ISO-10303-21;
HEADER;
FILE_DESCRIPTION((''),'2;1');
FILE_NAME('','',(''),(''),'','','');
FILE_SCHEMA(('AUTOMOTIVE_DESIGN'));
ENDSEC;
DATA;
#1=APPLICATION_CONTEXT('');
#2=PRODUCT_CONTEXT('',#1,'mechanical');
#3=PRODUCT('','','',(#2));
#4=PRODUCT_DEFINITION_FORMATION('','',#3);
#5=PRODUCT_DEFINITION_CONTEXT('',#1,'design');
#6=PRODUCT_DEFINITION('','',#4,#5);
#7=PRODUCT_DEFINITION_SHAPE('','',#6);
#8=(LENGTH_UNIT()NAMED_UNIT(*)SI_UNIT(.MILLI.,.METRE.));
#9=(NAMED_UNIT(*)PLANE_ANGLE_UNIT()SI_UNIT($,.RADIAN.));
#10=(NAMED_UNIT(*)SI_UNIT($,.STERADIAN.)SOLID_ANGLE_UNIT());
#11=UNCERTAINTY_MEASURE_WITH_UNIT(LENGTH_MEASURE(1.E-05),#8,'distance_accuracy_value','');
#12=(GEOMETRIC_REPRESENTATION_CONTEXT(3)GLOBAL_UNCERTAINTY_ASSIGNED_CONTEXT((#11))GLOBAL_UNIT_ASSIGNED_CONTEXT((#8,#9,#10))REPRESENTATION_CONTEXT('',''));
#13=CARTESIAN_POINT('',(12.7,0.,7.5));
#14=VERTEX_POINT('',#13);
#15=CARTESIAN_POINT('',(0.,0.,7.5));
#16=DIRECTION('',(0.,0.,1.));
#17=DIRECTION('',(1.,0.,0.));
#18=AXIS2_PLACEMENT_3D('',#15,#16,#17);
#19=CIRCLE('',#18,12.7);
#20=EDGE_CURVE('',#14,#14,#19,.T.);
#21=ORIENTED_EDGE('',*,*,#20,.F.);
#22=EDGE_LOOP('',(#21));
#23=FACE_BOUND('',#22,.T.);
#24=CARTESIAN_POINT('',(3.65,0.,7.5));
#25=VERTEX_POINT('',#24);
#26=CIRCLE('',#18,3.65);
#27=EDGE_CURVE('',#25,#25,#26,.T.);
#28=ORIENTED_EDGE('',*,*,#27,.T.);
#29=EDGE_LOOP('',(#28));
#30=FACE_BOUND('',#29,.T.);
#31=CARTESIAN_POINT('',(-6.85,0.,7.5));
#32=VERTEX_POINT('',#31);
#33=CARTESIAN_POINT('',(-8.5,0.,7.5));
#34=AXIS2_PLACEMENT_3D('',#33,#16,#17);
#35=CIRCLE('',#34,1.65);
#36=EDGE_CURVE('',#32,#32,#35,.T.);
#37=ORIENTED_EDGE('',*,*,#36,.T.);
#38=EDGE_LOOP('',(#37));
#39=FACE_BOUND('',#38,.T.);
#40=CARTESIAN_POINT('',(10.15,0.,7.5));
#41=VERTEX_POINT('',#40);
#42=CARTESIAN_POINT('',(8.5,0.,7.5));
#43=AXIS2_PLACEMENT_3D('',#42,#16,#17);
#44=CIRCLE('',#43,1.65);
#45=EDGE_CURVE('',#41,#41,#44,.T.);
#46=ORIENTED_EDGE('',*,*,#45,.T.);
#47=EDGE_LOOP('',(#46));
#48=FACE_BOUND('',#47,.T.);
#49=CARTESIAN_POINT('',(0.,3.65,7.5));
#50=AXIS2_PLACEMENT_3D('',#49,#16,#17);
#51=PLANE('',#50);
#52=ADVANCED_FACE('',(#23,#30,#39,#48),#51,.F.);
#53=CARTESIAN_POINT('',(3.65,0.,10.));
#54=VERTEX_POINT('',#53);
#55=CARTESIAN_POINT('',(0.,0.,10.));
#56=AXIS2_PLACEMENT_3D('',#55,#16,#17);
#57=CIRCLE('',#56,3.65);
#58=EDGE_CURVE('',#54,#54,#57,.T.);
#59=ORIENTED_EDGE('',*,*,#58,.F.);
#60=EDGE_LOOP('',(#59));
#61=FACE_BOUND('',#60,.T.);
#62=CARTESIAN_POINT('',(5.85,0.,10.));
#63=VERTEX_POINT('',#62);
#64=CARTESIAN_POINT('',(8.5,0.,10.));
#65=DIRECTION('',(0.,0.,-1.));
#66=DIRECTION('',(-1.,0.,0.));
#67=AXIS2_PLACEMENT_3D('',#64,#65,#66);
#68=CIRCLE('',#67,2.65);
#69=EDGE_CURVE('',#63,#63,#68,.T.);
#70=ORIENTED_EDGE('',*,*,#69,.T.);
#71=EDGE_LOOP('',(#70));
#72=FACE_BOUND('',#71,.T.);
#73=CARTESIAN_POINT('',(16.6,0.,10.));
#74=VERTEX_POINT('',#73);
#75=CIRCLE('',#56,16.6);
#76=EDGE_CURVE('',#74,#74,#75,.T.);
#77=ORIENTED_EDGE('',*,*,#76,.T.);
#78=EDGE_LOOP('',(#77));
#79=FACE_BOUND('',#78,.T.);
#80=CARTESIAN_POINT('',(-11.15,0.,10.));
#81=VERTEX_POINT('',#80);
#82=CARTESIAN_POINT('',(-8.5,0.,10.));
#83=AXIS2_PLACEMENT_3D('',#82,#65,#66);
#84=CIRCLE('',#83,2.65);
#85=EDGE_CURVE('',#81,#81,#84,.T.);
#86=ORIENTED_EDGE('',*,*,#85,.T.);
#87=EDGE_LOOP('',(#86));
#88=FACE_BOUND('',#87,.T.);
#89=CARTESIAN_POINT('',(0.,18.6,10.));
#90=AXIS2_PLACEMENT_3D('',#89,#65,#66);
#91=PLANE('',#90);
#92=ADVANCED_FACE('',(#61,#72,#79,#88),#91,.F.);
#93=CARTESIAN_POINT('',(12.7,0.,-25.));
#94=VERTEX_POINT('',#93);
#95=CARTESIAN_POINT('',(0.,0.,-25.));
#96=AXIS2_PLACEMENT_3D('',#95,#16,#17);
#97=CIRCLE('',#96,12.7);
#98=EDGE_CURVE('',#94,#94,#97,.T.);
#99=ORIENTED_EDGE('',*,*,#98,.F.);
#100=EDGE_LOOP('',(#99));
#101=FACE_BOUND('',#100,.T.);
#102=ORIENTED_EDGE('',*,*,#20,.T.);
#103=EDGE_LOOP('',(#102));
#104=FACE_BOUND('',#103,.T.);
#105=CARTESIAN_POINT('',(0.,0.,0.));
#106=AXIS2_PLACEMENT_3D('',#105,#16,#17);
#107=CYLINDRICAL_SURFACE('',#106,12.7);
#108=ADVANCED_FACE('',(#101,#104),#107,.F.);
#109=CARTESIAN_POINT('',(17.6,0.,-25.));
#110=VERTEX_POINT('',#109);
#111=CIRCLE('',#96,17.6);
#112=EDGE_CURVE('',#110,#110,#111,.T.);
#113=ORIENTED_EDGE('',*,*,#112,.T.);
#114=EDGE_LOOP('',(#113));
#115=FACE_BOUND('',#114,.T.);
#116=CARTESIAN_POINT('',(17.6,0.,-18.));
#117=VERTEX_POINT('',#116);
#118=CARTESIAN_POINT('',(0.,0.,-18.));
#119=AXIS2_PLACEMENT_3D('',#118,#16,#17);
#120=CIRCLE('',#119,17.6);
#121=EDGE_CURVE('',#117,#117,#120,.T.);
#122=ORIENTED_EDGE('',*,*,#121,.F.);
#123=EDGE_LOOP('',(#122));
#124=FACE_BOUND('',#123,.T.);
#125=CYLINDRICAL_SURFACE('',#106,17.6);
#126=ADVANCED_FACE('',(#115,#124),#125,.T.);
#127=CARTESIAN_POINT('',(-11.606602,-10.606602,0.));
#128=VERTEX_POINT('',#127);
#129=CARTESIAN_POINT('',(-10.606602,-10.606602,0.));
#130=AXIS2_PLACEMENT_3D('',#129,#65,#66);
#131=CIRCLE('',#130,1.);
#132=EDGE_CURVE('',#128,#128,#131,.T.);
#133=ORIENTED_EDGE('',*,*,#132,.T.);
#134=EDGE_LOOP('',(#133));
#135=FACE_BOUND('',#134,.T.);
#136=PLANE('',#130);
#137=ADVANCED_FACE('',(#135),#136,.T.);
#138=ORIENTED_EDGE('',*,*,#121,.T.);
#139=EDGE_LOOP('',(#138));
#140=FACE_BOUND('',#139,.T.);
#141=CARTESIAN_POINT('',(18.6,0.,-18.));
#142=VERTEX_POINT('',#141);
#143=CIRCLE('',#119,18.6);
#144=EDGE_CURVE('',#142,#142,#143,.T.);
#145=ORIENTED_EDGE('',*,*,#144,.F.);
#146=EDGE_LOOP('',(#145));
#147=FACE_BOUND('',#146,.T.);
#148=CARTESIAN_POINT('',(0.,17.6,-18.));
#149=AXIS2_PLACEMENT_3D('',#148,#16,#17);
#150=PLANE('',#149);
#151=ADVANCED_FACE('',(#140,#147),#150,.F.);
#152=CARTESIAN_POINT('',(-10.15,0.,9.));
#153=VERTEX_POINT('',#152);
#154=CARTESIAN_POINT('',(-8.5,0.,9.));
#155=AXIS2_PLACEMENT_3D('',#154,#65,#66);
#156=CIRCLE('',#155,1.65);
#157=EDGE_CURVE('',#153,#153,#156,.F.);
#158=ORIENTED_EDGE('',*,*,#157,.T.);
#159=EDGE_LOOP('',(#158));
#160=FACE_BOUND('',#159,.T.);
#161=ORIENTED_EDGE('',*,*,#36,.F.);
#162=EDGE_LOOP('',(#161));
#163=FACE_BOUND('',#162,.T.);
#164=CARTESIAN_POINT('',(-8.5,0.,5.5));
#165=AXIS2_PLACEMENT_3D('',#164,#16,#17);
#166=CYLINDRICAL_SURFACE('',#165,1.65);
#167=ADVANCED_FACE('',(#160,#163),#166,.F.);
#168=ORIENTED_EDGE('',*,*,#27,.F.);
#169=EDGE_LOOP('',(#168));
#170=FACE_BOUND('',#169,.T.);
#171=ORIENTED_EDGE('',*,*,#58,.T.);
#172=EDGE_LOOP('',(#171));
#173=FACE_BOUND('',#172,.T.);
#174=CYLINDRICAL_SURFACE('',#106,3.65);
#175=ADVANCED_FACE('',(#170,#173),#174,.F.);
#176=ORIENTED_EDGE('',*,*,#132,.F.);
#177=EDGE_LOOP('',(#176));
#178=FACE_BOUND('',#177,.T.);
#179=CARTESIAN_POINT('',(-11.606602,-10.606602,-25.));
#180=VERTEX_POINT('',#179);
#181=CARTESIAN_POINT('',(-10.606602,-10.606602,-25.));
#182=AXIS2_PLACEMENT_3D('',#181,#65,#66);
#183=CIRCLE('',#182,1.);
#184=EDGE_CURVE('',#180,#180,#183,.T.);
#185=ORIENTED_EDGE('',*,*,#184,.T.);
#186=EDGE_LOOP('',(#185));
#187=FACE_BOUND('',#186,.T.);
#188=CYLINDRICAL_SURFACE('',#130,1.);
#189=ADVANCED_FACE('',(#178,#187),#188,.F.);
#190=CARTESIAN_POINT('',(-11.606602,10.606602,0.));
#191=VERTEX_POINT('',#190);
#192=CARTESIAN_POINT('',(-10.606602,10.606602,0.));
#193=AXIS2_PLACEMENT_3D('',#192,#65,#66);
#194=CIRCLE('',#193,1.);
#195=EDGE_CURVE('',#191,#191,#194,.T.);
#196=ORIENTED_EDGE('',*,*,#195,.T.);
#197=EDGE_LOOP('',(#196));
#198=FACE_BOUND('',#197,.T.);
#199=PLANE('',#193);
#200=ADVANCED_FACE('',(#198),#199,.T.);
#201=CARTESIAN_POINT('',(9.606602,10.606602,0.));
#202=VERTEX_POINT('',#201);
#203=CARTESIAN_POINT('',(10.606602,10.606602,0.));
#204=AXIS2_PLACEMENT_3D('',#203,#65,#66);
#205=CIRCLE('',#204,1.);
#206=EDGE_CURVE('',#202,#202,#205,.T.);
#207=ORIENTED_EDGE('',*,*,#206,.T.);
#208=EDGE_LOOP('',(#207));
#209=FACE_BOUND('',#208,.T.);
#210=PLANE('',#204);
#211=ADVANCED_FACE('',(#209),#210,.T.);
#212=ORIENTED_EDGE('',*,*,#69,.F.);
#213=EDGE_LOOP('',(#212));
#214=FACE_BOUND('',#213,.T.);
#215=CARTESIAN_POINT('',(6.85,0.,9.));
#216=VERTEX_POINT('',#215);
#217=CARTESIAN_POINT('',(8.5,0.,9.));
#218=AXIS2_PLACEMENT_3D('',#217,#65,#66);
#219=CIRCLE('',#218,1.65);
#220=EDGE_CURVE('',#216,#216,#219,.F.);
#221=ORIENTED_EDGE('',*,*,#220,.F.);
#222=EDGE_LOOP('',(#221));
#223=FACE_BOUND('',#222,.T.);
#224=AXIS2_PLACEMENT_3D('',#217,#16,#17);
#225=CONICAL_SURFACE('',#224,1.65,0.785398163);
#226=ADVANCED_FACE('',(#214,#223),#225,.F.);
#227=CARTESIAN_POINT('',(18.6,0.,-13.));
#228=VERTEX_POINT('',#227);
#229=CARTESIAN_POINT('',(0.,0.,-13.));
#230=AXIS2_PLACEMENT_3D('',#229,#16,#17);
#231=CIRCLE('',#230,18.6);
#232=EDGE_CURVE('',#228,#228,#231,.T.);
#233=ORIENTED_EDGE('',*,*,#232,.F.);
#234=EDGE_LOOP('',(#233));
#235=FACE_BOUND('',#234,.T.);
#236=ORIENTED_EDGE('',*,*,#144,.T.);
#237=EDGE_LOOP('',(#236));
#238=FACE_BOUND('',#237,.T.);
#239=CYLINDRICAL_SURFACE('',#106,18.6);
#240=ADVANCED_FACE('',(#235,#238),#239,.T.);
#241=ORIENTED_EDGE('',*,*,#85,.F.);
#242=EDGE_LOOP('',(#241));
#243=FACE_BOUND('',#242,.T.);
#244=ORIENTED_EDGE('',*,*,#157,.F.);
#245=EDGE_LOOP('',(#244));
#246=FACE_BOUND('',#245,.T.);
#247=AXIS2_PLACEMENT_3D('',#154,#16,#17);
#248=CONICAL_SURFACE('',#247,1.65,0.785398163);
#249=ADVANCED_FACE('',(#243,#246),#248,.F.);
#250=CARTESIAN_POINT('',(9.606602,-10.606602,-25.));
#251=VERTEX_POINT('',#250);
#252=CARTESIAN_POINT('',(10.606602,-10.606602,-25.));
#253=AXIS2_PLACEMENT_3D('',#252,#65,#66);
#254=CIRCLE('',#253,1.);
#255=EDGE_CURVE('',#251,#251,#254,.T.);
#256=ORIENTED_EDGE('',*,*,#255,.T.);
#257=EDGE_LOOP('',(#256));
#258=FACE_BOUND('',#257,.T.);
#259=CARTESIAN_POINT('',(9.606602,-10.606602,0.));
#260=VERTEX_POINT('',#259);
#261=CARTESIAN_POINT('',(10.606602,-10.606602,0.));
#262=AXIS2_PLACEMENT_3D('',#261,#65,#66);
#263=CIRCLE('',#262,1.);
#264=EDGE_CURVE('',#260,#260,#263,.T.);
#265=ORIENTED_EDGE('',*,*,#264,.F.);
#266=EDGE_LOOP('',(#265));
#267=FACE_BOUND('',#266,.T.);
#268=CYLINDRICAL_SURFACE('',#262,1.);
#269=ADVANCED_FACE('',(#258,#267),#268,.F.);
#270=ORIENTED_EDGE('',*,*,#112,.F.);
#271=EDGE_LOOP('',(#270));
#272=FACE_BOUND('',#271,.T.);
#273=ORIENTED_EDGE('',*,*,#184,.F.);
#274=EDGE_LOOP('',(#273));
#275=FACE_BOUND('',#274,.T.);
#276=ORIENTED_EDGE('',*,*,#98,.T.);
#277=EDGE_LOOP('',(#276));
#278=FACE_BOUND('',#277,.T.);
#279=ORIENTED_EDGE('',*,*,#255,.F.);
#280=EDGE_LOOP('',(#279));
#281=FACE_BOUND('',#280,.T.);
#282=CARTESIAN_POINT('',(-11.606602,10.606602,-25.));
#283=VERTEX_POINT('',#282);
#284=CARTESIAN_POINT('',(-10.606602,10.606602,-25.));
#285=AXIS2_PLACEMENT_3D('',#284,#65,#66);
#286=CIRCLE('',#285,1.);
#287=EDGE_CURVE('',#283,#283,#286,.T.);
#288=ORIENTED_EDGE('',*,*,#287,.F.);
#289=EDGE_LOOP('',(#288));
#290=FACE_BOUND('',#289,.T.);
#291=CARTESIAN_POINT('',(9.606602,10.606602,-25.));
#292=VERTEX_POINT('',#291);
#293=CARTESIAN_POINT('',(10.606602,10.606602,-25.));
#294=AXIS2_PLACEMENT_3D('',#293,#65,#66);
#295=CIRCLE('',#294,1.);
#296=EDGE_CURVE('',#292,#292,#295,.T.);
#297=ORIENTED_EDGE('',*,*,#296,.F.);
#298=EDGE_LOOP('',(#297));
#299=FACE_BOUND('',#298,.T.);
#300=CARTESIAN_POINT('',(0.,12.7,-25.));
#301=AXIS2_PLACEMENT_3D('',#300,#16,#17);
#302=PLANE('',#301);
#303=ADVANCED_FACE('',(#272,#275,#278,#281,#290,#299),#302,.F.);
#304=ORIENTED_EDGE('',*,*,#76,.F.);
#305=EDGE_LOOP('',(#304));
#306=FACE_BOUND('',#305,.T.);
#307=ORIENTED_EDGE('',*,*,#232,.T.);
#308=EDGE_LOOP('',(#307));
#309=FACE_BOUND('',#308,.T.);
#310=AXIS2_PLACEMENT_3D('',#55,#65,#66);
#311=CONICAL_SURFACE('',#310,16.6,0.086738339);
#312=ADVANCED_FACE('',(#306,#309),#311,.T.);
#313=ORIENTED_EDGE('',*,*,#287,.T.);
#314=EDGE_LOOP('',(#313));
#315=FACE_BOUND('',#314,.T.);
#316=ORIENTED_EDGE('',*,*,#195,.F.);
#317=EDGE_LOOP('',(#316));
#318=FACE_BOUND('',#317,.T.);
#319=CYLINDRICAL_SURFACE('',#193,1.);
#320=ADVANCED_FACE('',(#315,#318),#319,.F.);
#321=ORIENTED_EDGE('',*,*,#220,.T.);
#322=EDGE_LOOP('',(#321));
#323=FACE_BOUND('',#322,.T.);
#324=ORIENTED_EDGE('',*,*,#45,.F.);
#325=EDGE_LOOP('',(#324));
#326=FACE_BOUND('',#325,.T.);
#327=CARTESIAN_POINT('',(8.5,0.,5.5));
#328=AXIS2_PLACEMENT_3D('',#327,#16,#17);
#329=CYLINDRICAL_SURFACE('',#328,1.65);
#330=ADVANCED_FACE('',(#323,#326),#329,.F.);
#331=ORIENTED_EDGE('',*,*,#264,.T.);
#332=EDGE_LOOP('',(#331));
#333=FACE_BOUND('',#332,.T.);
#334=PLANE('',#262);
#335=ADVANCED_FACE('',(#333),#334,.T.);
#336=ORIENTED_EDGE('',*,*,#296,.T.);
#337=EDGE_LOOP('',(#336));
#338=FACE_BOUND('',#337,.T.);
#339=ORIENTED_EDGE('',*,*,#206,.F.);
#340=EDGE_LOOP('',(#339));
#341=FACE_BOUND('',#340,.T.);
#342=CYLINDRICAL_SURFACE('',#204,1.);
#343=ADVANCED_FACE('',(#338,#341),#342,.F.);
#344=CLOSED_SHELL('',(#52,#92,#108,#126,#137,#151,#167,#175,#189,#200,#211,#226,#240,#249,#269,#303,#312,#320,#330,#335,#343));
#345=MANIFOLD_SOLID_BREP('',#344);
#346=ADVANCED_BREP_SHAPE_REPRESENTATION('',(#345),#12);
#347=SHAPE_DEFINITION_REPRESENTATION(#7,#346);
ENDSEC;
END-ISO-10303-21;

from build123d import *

# Parameters (mm, degrees)
SKETCH2_R              = 1.65
CUT_EXTRUDE_3_6_DEPTH  = 4.5
CHAMFER_1_SIZE         = 1
SKETCH3_R              = 1
CUT_EXTRUDE_3_20_DEPTH = 25


with BuildPart() as part:
    # Sketch1 → Revolve 696 (revolve)
    with BuildSketch(Plane(origin=(0, 0, 0), x_dir=(0, 0, -1), z_dir=(1, 0, 0)), mode=Mode.PRIVATE) as revolve_696_sk:
        Polygon((-7.5, 12.7), (25, 12.7), (25, 17.6), (18, 17.6), (18, 18.6), (-10, 18.6), (-10, 3.65), (-7.5, 3.65), align=None)
    revolve(revolve_696_sk.sketch.rotate(Axis((0, 0, 0), (0, 0, -1)), 90), axis=Axis((0, 0, 0), (0, 0, -1)))

    # Sketch2 → Крепление к двигателю (винт с потайной головкой М3х6) (cut)
    with BuildSketch(Plane.XY.offset(10)):
        with Locations((8.5, 0)):
            Circle(SKETCH2_R)
        with Locations((-8.5, 0)):
            Circle(SKETCH2_R)
    extrude(amount=-CUT_EXTRUDE_3_6_DEPTH, mode=Mode.SUBTRACT)

    # Фаска 1
    chamfer_1_edges = [part.edges().sort_by_distance(p)[0] for p in [
        (6.85, 0, 10),
        (-10.15, 0, 10),
    ]]
    chamfer(chamfer_1_edges, length=CHAMFER_1_SIZE)

    # Sketch3 → Отверстие под саморез М3х20 (cut)
    with BuildSketch(Plane(origin=(0, 0, -25), x_dir=(-1, 0, 0), z_dir=(0, 0, -1))):
        with Locations((-10.606601718, 10.606601718)):
            Circle(SKETCH3_R)
        with Locations((10.606601718, 10.606601718)):
            Circle(SKETCH3_R)
        with Locations((10.606601718, -10.606601718)):
            Circle(SKETCH3_R)
        with Locations((-10.606601718, -10.606601718)):
            Circle(SKETCH3_R)
    extrude(amount=-CUT_EXTRUDE_3_20_DEPTH, mode=Mode.SUBTRACT)

    # Эскиз2 → Cut-Revolve 1559 (revolve, cut)
    with BuildSketch(Plane(origin=(0, 0, 0), x_dir=(0, 0, -1), z_dir=(1, 0, 0)), mode=Mode.PRIVATE) as cut_revolve_1559_sk:
        Polygon((-10, 18.6), (-10, 16.6), (13, 18.6), align=None)
    revolve(cut_revolve_1559_sk.sketch.rotate(Axis((0, 0, 10), (0, 0, -1)), 90), axis=Axis((0, 0, 10), (0, 0, -1)), mode=Mode.SUBTRACT)


solid = part.part
